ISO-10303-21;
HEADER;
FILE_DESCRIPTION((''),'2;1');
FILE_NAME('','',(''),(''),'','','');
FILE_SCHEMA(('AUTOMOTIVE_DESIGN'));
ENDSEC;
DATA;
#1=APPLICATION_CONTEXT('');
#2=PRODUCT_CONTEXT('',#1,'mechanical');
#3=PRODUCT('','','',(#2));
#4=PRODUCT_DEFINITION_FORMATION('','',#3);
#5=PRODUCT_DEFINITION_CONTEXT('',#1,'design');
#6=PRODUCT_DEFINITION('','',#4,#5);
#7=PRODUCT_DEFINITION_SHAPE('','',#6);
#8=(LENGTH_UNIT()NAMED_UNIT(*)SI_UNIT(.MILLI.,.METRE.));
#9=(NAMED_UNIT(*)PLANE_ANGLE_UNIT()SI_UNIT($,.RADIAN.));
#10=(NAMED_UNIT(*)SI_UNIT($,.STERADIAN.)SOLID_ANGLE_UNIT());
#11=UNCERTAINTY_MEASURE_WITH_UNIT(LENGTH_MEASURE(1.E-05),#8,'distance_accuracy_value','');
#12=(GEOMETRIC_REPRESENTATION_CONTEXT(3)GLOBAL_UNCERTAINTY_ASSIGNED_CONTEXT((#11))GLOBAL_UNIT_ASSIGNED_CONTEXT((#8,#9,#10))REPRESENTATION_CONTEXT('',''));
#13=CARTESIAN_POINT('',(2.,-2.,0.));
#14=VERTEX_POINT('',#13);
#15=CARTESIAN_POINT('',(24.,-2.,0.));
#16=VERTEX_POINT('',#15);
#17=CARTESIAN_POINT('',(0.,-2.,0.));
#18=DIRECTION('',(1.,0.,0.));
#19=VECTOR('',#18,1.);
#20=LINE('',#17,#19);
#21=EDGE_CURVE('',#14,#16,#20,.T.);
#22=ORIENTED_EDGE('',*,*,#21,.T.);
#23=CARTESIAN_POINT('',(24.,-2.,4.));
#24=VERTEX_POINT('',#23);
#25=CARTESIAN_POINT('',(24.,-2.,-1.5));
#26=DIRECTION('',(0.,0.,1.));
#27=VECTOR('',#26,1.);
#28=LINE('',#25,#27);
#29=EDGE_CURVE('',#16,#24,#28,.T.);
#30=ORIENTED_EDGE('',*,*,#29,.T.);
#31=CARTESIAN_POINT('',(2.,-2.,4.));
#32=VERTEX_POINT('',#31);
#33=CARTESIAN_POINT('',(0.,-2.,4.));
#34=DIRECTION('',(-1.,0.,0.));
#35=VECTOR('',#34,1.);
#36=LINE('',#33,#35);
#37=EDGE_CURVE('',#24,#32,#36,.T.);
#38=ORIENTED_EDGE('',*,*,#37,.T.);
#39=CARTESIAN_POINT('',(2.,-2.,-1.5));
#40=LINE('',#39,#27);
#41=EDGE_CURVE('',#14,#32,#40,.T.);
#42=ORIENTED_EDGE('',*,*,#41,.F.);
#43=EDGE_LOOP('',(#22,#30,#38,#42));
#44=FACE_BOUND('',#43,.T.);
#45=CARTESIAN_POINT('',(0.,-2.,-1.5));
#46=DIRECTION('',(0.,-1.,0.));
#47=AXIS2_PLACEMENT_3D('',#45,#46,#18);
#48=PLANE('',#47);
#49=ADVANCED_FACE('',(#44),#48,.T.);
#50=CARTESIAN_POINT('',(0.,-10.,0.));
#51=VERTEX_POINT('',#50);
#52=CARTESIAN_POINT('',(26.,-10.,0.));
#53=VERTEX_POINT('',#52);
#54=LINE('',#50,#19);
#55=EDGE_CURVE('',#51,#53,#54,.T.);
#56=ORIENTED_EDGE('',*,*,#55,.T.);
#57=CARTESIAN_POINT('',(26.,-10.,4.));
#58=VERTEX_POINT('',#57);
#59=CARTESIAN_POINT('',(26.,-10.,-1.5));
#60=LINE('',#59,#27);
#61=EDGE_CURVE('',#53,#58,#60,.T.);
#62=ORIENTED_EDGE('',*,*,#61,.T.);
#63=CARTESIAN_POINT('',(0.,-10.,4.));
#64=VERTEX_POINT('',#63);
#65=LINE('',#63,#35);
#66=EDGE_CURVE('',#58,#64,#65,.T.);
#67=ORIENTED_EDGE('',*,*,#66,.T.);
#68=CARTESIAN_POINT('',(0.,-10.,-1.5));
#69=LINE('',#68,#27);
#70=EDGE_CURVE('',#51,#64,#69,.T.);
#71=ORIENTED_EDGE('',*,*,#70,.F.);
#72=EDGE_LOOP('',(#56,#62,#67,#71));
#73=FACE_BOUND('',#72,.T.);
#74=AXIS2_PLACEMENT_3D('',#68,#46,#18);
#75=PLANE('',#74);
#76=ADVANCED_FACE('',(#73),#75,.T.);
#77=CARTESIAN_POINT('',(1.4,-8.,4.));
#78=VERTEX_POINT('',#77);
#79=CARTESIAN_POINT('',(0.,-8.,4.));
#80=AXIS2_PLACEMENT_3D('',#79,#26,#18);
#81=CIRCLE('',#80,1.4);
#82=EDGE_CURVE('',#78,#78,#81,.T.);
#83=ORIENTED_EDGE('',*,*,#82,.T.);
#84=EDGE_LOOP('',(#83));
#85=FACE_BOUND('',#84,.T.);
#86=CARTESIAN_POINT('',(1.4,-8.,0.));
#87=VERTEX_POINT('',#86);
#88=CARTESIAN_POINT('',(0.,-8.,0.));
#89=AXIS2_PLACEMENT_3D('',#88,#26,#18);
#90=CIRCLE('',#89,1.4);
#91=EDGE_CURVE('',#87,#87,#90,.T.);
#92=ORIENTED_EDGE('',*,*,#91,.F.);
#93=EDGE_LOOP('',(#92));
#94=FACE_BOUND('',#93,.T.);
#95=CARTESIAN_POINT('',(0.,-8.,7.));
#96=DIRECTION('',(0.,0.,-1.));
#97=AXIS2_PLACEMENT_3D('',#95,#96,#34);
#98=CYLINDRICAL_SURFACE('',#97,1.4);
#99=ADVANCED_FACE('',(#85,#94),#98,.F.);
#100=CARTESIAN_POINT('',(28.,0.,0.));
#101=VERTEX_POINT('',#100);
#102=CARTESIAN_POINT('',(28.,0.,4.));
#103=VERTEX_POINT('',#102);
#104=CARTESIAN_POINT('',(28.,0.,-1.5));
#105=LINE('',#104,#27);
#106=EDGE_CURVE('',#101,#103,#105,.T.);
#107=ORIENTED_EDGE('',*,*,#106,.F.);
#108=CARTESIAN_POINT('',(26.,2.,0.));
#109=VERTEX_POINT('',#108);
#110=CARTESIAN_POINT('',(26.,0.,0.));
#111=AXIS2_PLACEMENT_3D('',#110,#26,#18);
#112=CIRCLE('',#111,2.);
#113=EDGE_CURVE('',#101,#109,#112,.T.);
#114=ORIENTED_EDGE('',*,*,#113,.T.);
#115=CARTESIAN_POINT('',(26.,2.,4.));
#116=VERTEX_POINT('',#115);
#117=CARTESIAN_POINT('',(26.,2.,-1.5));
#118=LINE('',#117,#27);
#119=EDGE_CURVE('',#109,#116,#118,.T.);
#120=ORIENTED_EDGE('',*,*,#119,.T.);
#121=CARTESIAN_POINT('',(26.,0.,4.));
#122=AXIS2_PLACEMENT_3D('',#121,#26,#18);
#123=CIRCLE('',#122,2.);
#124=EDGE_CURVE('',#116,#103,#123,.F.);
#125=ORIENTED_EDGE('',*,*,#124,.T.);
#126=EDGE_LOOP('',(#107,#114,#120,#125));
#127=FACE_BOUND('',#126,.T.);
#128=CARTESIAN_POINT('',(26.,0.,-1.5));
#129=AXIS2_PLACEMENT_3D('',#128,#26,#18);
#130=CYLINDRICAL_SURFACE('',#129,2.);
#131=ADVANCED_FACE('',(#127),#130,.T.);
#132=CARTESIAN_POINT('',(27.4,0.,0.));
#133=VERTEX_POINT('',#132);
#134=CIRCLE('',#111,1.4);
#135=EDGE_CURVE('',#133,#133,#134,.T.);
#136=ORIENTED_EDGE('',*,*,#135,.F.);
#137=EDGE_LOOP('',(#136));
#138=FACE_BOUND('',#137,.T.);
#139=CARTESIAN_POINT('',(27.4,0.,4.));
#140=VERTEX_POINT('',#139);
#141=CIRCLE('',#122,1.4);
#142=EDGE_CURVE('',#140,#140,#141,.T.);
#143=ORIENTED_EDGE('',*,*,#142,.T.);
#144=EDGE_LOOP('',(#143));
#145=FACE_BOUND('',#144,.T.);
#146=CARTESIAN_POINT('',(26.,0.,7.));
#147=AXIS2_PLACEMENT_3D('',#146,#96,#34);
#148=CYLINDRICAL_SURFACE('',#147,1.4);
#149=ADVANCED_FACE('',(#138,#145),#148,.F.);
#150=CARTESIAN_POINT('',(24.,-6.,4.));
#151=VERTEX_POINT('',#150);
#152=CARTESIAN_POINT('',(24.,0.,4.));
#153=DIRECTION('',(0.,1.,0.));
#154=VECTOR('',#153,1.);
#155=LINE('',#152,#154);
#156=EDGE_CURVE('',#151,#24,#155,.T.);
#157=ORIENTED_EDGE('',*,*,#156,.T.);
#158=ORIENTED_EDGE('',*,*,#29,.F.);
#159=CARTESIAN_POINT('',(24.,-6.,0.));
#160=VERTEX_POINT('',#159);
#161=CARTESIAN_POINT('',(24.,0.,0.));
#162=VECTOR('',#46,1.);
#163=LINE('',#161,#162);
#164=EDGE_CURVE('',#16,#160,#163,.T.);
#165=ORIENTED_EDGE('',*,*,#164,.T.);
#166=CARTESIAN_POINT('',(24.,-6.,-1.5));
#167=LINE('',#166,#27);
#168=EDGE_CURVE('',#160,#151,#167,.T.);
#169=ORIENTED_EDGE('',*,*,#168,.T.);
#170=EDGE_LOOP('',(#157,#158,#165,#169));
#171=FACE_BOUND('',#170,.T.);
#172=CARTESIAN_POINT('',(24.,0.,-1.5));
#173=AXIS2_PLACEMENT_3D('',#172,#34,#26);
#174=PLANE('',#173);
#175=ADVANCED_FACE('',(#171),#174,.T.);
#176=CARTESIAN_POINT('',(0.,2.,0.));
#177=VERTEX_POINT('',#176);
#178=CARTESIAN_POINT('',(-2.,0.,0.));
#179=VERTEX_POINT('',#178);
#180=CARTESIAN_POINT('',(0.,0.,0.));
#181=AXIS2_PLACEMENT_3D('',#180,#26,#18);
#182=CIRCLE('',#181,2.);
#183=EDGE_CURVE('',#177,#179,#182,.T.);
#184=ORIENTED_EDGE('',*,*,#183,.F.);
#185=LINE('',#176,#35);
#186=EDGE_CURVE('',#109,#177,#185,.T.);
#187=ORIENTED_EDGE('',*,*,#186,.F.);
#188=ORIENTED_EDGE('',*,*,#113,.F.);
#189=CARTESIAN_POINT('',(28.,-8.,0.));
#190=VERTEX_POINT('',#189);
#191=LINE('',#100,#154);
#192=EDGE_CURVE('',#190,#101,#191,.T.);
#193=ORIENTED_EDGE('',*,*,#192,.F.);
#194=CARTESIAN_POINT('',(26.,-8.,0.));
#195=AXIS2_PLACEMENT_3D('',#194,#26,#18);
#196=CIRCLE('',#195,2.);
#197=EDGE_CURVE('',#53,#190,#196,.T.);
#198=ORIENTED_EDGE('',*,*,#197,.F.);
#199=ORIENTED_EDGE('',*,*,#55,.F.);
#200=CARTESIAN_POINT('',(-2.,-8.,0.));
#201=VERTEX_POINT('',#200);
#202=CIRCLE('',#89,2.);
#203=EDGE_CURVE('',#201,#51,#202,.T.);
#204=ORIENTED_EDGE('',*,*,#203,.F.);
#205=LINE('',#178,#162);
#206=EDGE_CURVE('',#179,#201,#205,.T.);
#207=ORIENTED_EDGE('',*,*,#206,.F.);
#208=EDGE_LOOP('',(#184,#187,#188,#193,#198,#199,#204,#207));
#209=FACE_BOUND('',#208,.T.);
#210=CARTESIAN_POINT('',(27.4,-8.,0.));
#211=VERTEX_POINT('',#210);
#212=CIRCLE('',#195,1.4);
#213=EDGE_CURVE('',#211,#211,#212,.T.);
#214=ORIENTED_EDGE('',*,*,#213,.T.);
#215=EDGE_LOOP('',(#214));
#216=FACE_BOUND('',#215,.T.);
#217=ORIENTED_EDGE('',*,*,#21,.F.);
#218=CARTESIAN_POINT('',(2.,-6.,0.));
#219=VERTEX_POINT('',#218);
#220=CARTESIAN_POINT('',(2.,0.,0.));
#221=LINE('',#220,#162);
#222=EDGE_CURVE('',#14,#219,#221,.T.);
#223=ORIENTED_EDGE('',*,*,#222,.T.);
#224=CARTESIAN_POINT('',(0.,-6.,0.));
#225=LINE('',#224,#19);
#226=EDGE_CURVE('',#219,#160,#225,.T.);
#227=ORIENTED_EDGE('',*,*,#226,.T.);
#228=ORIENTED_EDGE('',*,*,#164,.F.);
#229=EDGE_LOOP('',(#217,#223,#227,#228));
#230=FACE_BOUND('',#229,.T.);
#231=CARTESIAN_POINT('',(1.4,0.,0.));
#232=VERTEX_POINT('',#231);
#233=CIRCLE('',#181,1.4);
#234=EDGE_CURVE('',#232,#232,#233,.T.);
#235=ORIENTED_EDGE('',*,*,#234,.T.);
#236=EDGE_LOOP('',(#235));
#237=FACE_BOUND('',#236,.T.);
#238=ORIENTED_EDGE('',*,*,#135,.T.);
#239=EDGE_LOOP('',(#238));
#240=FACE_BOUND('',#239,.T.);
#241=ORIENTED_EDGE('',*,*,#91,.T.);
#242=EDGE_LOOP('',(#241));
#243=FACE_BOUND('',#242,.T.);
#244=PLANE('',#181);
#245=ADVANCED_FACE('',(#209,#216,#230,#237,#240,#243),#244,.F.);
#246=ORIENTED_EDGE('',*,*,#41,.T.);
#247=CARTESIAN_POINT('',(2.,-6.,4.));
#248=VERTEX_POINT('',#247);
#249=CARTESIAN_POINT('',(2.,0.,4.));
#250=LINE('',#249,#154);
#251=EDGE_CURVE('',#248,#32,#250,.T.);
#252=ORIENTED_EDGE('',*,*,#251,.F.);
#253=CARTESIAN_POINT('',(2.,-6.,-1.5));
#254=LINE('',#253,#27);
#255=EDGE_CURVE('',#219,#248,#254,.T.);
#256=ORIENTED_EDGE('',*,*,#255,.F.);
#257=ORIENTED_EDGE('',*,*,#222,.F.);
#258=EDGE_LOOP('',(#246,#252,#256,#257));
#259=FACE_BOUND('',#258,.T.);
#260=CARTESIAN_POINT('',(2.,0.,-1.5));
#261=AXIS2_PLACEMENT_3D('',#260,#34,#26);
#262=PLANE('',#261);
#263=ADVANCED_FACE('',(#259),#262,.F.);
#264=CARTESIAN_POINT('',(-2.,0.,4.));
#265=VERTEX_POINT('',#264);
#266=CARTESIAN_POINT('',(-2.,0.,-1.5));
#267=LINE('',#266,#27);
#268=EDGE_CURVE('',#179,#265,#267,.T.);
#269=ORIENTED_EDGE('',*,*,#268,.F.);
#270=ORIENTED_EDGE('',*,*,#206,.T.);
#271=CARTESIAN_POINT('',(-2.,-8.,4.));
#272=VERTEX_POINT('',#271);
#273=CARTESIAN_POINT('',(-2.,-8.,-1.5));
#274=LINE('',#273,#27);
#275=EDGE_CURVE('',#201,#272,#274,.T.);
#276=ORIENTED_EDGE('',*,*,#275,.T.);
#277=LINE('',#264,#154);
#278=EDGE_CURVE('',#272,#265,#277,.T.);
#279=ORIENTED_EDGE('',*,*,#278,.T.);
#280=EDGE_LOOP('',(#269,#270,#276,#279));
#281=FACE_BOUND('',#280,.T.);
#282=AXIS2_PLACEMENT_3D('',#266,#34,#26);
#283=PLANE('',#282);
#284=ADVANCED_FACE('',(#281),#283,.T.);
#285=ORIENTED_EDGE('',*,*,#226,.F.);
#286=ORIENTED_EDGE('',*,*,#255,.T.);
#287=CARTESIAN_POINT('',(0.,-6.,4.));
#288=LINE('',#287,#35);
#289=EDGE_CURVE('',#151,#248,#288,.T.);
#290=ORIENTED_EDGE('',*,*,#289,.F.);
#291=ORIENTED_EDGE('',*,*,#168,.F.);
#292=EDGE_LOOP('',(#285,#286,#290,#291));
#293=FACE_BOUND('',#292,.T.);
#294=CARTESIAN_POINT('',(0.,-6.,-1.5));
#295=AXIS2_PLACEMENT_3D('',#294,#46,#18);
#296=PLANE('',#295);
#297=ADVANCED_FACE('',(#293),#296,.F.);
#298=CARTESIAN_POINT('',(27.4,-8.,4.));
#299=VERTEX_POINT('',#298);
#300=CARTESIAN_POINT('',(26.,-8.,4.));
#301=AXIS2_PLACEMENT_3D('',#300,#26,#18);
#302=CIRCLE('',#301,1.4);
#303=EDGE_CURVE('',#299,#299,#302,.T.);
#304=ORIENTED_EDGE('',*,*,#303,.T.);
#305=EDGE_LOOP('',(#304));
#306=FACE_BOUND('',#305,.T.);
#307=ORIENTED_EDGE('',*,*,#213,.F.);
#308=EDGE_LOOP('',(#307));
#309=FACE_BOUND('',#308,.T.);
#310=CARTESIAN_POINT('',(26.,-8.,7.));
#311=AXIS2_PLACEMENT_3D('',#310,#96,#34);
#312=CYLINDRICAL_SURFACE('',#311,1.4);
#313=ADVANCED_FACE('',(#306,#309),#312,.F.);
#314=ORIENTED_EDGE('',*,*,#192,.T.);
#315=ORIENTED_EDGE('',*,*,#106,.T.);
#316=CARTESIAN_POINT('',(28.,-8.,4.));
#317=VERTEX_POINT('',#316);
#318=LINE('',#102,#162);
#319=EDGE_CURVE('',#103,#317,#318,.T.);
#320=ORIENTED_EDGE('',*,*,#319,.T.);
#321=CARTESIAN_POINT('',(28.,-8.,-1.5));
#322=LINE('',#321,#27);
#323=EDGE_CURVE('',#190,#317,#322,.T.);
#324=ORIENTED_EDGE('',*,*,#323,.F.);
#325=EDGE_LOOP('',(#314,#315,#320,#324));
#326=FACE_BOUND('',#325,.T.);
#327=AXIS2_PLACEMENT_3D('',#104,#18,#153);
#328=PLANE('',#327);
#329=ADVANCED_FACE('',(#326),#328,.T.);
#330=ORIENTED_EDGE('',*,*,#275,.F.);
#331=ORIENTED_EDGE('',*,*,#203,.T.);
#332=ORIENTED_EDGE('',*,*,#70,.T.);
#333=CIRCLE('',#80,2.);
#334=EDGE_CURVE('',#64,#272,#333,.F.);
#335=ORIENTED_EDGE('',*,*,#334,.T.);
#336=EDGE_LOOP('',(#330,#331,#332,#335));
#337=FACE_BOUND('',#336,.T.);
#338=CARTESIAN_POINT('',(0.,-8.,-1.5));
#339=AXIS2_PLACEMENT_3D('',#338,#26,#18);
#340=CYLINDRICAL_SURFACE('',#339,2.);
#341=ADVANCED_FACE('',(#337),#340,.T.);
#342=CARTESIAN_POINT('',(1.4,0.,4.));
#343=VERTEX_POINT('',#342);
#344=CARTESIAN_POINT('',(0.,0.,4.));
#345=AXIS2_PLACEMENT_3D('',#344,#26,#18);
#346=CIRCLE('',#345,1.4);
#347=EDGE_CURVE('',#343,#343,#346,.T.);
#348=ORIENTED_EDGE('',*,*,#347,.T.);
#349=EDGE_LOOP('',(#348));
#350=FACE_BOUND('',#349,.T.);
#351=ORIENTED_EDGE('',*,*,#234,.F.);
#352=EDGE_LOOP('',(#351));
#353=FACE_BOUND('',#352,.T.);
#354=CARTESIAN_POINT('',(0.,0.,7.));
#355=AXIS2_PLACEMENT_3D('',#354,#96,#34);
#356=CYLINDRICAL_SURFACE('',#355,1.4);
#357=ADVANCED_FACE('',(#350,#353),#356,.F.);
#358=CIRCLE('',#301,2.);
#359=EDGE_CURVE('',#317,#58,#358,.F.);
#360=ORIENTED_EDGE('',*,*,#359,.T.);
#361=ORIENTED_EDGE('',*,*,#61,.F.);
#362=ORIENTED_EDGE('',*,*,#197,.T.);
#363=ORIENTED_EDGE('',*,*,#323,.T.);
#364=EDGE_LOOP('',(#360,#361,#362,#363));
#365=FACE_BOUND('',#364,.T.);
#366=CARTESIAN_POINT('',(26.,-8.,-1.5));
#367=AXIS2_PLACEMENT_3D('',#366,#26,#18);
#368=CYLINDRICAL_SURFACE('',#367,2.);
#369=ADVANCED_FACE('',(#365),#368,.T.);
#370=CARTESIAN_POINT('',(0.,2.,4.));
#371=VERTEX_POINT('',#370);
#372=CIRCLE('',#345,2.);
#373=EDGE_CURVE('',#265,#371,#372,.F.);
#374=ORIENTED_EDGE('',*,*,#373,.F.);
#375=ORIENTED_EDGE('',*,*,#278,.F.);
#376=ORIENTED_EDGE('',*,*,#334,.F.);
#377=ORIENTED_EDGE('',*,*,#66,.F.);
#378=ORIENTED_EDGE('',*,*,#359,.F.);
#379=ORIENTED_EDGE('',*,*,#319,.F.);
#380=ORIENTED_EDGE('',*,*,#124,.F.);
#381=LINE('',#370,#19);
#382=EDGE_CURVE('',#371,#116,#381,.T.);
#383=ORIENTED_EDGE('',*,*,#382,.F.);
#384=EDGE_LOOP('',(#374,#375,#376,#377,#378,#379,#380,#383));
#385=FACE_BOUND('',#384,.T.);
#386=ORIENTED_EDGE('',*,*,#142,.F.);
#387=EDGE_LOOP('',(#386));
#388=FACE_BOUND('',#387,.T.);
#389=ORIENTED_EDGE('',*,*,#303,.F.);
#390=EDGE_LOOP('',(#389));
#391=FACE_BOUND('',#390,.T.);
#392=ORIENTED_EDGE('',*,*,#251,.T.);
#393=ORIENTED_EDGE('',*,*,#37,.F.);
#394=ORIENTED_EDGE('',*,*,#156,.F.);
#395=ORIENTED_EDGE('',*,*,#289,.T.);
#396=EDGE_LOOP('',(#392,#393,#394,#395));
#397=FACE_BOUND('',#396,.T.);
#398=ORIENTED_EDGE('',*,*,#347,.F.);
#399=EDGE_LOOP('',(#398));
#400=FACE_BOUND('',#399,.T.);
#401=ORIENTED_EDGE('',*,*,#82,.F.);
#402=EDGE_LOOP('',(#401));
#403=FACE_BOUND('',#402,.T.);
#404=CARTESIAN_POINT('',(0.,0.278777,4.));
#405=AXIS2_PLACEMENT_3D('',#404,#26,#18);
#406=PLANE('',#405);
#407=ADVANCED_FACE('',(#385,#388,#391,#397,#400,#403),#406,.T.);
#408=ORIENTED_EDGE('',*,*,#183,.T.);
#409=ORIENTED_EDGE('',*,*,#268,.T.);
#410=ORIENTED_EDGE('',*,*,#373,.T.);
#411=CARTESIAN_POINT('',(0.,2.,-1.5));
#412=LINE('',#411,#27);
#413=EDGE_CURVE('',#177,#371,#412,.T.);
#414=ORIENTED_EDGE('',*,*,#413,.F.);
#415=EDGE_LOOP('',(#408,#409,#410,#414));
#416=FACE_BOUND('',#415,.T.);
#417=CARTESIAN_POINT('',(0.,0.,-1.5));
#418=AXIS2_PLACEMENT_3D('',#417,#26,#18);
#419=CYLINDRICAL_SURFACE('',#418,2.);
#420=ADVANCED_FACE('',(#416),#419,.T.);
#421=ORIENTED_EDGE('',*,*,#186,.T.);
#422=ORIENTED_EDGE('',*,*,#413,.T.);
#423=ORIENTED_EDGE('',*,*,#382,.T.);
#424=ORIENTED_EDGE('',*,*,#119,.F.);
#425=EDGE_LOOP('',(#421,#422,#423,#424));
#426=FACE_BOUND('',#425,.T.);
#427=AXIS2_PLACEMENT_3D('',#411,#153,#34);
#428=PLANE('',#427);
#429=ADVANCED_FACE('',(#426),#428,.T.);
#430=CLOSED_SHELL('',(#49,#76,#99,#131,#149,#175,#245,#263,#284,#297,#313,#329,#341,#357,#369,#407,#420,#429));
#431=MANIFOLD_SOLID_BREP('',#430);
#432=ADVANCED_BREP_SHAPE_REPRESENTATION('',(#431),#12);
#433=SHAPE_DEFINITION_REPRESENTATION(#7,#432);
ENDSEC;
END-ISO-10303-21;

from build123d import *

# Parameters (mm, degrees)
SKETCH1_R           = 1.4
SKETCH1_W           = 20
SKETCH1_H           = 2
BOSS_EXTRUDE1_DEPTH = 7
SKETCH2_W           = 22
SKETCH2_H           = 4
SKETCH2_W_2         = 20
SKETCH2_H_2         = 2
CUT_EXTRUDE1_DEPTH  = 8.5
SKETCH3_R           = 39.79885979
CUT_EXTRUDE2_DEPTH  = 3


with BuildPart() as part:
    # Sketch1 → Boss-Extrude1 (new body)
    with BuildSketch(Plane.XY):
        with BuildLine():
            Line((-3, 0), (-3, -8))
            ThreePointArc((-3, -8), (-2.121320344, -10.121320344), (0, -11))
            Line((0, -11), (26, -11))
            ThreePointArc((26, -11), (28.121320344, -10.121320344), (29, -8))
            Line((29, -8), (29, 0))
            ThreePointArc((29, 0), (28.121320344, 2.121320344), (26, 3))
            Line((26, 3), (0, 3))
            ThreePointArc((0, 3), (-2.121320344, 2.121320344), (-3, 0))
        make_face()
        Circle(SKETCH1_R, mode=Mode.SUBTRACT)
        with Locations((0, -8)):
            Circle(SKETCH1_R, mode=Mode.SUBTRACT)
        with Locations((26, 0)):
            Circle(SKETCH1_R, mode=Mode.SUBTRACT)
        with Locations((26, -8)):
            Circle(SKETCH1_R, mode=Mode.SUBTRACT)
        with Locations((13, -4)):
            Rectangle(SKETCH1_W, SKETCH1_H, mode=Mode.SUBTRACT)
    extrude(amount=BOSS_EXTRUDE1_DEPTH)

    # Sketch2 → Cut-Extrude1 (cut)
    with BuildSketch(Plane.XY.offset(7)):
        with BuildLine():
            Line((26, 3), (0, 3))
            ThreePointArc((0, 3), (-2.121320344, 2.121320344), (-3, 0))
            Line((-3, 0), (-3, -8))
            ThreePointArc((-3, -8), (-2.121320344, -10.121320344), (0, -11))
            Line((0, -11), (26, -11))
            ThreePointArc((26, -11), (28.121320344, -10.121320344), (29, -8))
            Line((29, -8), (29, 0))
            ThreePointArc((29, 0), (28.121320344, 2.121320344), (26, 3))
        make_face()
        with BuildLine():
            Line((-2, -8), (-2, 0))
            ThreePointArc((-2, 0), (-1.414213562, 1.414213562), (0, 2))
            Line((0, 2), (26, 2))
            ThreePointArc((26, 2), (27.414213562, 1.414213562), (28, 0))
            Line((28, 0), (28, -8))
            ThreePointArc((28, -8), (27.414213562, -9.414213562), (26, -10))
            Line((26, -10), (0, -10))
            ThreePointArc((0, -10), (-1.414213562, -9.414213562), (-2, -8))
        make_face(mode=Mode.SUBTRACT)
        with Locations((13, -4)):
            Rectangle(SKETCH2_W, SKETCH2_H)
        with Locations((13, -4)):
            Rectangle(SKETCH2_W_2, SKETCH2_H_2, mode=Mode.SUBTRACT)
    extrude(amount=-CUT_EXTRUDE1_DEPTH, mode=Mode.SUBTRACT)

    # Sketch3 → Cut-Extrude2 (cut)
    with BuildSketch(Plane.XY.offset(7)):
        with Locations((0, 0.278776736)):
            Circle(SKETCH3_R)
    extrude(amount=-CUT_EXTRUDE2_DEPTH, mode=Mode.SUBTRACT)


solid = part.part
